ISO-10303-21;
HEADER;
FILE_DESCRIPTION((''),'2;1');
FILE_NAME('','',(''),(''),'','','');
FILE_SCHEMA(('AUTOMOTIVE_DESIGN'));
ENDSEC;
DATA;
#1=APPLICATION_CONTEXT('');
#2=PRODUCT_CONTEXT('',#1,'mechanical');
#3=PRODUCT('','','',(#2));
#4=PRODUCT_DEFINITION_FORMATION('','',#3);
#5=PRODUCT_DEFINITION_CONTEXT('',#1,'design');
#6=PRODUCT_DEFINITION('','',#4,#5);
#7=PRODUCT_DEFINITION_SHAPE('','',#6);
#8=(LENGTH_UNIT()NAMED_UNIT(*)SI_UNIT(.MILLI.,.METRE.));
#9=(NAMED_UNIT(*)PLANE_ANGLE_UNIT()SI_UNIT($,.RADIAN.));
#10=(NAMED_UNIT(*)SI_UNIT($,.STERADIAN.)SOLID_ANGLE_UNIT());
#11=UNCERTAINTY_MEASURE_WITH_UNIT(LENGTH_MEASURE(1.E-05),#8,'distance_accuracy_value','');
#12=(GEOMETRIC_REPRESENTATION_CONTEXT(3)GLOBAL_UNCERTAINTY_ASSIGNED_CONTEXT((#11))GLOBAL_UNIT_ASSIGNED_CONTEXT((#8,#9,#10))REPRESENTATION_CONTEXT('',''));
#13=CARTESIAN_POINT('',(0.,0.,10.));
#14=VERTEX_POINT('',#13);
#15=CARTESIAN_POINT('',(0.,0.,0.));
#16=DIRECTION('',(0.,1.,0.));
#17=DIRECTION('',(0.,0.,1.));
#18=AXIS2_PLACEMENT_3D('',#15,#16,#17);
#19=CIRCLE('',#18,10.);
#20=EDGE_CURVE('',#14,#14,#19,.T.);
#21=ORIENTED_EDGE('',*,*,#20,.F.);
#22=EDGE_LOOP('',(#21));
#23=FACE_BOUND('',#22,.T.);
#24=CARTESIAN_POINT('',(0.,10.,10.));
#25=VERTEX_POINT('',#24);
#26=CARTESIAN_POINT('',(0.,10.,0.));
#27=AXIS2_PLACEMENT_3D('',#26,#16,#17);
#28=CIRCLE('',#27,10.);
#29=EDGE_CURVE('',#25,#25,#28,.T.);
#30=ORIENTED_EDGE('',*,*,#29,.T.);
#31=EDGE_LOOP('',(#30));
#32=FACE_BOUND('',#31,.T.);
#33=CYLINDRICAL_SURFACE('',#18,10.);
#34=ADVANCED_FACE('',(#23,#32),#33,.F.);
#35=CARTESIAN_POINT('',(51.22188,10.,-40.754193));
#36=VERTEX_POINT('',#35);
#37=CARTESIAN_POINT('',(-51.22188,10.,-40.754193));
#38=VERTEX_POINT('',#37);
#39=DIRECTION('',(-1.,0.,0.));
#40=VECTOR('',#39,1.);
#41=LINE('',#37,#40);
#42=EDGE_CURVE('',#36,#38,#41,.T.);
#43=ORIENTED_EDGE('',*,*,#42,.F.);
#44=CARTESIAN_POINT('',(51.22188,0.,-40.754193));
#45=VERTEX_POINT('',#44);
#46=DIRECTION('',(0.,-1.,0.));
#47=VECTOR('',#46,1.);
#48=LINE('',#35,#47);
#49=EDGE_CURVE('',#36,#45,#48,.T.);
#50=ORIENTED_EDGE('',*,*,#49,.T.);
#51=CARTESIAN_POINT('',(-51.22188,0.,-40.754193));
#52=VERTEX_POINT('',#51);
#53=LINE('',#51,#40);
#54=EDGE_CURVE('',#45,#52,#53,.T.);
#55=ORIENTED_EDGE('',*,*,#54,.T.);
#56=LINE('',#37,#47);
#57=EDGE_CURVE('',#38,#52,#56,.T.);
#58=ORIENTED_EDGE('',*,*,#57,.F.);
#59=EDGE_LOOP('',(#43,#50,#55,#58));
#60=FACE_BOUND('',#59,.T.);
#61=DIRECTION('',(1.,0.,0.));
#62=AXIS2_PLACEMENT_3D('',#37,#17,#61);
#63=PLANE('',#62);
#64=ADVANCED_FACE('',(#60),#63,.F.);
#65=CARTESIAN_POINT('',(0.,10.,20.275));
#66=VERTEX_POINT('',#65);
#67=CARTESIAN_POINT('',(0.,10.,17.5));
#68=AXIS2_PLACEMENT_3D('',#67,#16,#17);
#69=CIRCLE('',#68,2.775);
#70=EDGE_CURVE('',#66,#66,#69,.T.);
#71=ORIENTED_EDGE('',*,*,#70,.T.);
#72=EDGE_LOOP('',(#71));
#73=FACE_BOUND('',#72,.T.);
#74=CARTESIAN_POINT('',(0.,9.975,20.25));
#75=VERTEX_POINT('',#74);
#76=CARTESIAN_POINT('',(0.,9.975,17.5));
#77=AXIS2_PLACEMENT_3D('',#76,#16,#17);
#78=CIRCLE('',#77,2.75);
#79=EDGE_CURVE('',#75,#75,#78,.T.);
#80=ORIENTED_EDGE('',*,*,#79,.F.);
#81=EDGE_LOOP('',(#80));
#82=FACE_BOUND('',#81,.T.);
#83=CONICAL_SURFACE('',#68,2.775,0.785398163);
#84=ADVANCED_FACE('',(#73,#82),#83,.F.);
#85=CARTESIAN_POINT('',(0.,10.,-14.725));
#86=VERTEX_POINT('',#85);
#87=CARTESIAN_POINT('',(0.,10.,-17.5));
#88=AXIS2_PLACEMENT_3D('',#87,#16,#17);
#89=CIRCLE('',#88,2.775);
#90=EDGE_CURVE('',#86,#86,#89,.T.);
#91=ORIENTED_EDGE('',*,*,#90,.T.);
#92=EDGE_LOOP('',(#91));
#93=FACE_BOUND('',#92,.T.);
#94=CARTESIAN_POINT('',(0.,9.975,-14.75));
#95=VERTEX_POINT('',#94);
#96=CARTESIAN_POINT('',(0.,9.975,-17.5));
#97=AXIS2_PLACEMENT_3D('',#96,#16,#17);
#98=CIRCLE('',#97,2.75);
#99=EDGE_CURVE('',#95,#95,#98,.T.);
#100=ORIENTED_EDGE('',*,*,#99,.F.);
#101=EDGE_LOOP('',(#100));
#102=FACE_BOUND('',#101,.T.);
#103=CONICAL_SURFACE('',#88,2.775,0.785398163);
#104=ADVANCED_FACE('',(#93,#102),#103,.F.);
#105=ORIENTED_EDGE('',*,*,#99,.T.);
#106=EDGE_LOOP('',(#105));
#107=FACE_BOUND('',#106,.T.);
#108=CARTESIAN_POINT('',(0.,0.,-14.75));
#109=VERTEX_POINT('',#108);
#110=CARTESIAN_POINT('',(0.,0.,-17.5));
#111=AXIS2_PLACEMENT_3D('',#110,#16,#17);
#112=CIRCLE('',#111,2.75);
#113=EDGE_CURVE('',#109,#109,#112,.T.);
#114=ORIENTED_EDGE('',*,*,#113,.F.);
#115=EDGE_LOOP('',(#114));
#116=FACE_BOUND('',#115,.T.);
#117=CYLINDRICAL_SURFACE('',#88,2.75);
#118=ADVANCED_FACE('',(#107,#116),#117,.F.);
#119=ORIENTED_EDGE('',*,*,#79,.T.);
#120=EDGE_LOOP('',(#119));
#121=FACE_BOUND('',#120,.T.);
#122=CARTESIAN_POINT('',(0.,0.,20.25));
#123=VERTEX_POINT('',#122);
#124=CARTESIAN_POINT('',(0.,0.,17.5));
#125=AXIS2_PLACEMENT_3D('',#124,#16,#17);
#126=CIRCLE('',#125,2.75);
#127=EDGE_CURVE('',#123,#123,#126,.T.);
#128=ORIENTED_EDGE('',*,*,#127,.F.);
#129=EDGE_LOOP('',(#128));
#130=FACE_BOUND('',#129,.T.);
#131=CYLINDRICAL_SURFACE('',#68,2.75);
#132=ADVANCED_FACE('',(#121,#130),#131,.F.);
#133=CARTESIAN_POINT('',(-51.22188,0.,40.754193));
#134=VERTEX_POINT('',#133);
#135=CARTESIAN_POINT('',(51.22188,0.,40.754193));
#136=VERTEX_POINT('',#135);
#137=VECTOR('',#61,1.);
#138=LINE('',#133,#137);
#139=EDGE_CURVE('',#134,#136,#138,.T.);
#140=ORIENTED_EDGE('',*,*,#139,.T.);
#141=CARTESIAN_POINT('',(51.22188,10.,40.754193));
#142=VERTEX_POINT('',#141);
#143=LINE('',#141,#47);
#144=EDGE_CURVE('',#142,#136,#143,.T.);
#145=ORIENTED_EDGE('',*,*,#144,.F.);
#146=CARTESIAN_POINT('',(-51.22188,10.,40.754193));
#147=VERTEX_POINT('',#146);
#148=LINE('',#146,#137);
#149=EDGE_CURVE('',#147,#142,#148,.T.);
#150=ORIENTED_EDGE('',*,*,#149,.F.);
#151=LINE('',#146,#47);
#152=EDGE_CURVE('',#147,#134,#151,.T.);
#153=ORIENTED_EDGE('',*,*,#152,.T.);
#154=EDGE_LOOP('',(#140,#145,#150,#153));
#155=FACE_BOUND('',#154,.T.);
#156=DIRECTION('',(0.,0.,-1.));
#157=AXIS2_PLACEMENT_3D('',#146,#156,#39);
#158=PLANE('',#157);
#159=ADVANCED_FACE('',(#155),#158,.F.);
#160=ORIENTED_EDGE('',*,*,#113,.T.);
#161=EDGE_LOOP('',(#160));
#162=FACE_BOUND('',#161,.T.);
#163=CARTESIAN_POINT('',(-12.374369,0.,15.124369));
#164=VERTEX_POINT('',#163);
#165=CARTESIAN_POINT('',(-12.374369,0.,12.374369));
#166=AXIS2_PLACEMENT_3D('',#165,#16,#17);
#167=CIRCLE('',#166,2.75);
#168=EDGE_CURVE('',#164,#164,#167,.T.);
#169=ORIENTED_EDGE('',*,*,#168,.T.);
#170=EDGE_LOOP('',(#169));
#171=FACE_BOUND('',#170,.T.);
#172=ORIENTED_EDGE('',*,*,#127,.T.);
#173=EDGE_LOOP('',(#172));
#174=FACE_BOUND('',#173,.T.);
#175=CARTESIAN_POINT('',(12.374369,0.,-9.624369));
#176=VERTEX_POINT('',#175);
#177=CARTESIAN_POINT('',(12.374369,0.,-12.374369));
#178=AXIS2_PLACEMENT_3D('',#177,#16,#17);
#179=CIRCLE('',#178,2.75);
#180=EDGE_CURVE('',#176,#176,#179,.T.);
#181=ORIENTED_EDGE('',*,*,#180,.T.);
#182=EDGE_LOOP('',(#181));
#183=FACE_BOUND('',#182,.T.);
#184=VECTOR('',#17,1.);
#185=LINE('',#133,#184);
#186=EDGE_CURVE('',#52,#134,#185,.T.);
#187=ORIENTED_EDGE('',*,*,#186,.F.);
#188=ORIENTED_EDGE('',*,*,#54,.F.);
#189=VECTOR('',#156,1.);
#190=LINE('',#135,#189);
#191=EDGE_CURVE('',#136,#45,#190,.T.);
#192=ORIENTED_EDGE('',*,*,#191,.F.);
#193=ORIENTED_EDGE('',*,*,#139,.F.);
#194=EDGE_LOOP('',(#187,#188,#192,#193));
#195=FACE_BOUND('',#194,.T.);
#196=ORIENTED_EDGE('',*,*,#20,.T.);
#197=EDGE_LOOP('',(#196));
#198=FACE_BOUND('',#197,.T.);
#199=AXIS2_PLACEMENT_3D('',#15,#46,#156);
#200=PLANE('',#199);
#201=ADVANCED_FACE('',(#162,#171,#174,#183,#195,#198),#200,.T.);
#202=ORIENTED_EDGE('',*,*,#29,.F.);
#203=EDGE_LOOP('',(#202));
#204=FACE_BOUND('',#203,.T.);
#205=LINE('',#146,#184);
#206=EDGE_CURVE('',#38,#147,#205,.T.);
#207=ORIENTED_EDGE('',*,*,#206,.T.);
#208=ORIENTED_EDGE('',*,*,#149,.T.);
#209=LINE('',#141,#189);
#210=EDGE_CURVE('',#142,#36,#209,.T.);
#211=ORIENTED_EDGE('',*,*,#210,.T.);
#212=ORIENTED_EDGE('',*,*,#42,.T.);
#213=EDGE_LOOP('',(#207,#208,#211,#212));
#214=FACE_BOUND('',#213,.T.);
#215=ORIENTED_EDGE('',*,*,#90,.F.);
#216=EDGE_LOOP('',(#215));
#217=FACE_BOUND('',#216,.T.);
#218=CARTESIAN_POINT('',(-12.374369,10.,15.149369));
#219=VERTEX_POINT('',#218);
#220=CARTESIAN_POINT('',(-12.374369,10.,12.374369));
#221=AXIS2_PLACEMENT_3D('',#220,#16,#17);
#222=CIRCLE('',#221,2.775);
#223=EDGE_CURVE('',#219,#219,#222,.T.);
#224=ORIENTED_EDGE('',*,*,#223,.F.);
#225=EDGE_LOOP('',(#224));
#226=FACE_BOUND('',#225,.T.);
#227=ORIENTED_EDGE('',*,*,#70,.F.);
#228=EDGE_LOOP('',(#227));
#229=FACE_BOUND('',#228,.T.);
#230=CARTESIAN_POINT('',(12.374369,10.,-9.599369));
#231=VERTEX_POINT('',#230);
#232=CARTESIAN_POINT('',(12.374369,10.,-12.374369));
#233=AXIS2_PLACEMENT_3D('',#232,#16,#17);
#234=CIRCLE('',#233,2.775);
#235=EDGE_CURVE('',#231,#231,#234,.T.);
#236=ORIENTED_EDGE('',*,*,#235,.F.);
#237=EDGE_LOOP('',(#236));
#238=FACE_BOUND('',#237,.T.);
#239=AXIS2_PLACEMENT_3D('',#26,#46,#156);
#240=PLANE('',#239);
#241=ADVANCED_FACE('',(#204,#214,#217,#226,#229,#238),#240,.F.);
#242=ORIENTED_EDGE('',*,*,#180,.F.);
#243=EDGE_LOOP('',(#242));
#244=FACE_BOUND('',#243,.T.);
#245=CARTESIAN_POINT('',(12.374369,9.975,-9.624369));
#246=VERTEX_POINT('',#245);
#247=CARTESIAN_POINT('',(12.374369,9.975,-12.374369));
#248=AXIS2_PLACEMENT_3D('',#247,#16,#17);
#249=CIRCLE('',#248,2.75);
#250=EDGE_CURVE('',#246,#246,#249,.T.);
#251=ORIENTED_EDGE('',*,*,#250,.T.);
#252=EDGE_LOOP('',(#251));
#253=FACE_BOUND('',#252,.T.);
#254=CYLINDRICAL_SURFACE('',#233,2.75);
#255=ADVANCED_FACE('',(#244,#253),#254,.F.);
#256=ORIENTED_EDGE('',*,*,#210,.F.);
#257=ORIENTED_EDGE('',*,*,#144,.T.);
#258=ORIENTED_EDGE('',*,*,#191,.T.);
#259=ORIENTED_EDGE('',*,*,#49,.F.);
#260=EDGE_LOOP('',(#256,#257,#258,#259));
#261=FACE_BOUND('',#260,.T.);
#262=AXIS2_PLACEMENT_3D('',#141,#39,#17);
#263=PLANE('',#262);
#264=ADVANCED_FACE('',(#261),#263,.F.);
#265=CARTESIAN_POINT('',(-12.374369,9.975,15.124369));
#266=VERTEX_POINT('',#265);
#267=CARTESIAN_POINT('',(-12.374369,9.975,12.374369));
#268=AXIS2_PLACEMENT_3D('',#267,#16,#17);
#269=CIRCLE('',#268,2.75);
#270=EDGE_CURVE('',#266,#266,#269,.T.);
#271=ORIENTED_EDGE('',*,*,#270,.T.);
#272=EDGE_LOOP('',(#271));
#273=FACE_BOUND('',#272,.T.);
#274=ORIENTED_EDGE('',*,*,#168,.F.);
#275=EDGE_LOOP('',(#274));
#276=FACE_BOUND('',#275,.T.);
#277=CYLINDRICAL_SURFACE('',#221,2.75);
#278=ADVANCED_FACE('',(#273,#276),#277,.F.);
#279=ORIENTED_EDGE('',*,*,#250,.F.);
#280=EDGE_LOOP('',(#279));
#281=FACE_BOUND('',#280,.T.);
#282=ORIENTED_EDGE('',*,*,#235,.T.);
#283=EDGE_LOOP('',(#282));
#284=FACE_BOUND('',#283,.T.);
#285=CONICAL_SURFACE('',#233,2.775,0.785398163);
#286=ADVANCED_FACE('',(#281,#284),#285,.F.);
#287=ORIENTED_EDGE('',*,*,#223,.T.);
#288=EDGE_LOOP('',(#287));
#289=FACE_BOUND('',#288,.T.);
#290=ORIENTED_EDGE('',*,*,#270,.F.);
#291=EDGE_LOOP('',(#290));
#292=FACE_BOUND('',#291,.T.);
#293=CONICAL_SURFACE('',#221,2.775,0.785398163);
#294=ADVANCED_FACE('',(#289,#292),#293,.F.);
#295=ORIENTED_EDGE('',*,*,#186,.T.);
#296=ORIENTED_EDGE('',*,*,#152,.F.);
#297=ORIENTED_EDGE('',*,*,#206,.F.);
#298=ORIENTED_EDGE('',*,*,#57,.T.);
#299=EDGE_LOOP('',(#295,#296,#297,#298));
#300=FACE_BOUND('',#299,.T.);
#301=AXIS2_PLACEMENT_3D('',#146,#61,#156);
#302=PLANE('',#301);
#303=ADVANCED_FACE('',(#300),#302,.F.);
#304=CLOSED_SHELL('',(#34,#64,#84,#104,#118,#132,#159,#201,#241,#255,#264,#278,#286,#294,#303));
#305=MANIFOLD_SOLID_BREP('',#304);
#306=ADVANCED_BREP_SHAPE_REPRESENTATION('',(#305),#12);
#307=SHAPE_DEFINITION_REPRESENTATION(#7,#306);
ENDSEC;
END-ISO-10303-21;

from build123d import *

# Parameters (mm, degrees)
SKETCH1_W                      = 102.443759186
SKETCH1_H                      = 81.508386056
BOSS_EXTRUDE1_DEPTH            = 10
M5_CLEARANCE_HOLE1_D           = 5.5
M5_CLEARANCE_HOLE1_CSINK_D     = 5.55
M5_CLEARANCE_HOLE1_CSINK_ANGLE = 90
SKETCH5_R                      = 10
CUT_EXTRUDE1_DEPTH             = 67.216200422


with BuildPart() as part:
    # Sketch1 → Boss-Extrude1 (new body)
    with BuildSketch(Plane(origin=(0, 0, 0), x_dir=(1, 0, 0), z_dir=(0, 1, 0))):
        Rectangle(SKETCH1_W, SKETCH1_H)
    extrude(amount=BOSS_EXTRUDE1_DEPTH)

    # M5 Clearance Hole1 (through all)
    with Locations(Plane(origin=(0, 10, 0), x_dir=(1, 0, 0), z_dir=(0, 1, 0))):
        with Locations((-12.374368671, -12.374368671), (0, -17.5), (12.374368671, 12.374368671), (0, 17.5)):
            CounterSinkHole(M5_CLEARANCE_HOLE1_D / 2, M5_CLEARANCE_HOLE1_CSINK_D / 2, counter_sink_angle=M5_CLEARANCE_HOLE1_CSINK_ANGLE)

    # Sketch5 → Cut-Extrude1 (cut, through all)
    with BuildSketch(Plane(origin=(0, 10, 0), x_dir=(1, 0, 0), z_dir=(0, 1, 0))):
        with Locations(Location((0, 0, 0), (0, 0, 270))):
            Circle(SKETCH5_R)
    extrude(amount=-CUT_EXTRUDE1_DEPTH, mode=Mode.SUBTRACT)


solid = part.part
